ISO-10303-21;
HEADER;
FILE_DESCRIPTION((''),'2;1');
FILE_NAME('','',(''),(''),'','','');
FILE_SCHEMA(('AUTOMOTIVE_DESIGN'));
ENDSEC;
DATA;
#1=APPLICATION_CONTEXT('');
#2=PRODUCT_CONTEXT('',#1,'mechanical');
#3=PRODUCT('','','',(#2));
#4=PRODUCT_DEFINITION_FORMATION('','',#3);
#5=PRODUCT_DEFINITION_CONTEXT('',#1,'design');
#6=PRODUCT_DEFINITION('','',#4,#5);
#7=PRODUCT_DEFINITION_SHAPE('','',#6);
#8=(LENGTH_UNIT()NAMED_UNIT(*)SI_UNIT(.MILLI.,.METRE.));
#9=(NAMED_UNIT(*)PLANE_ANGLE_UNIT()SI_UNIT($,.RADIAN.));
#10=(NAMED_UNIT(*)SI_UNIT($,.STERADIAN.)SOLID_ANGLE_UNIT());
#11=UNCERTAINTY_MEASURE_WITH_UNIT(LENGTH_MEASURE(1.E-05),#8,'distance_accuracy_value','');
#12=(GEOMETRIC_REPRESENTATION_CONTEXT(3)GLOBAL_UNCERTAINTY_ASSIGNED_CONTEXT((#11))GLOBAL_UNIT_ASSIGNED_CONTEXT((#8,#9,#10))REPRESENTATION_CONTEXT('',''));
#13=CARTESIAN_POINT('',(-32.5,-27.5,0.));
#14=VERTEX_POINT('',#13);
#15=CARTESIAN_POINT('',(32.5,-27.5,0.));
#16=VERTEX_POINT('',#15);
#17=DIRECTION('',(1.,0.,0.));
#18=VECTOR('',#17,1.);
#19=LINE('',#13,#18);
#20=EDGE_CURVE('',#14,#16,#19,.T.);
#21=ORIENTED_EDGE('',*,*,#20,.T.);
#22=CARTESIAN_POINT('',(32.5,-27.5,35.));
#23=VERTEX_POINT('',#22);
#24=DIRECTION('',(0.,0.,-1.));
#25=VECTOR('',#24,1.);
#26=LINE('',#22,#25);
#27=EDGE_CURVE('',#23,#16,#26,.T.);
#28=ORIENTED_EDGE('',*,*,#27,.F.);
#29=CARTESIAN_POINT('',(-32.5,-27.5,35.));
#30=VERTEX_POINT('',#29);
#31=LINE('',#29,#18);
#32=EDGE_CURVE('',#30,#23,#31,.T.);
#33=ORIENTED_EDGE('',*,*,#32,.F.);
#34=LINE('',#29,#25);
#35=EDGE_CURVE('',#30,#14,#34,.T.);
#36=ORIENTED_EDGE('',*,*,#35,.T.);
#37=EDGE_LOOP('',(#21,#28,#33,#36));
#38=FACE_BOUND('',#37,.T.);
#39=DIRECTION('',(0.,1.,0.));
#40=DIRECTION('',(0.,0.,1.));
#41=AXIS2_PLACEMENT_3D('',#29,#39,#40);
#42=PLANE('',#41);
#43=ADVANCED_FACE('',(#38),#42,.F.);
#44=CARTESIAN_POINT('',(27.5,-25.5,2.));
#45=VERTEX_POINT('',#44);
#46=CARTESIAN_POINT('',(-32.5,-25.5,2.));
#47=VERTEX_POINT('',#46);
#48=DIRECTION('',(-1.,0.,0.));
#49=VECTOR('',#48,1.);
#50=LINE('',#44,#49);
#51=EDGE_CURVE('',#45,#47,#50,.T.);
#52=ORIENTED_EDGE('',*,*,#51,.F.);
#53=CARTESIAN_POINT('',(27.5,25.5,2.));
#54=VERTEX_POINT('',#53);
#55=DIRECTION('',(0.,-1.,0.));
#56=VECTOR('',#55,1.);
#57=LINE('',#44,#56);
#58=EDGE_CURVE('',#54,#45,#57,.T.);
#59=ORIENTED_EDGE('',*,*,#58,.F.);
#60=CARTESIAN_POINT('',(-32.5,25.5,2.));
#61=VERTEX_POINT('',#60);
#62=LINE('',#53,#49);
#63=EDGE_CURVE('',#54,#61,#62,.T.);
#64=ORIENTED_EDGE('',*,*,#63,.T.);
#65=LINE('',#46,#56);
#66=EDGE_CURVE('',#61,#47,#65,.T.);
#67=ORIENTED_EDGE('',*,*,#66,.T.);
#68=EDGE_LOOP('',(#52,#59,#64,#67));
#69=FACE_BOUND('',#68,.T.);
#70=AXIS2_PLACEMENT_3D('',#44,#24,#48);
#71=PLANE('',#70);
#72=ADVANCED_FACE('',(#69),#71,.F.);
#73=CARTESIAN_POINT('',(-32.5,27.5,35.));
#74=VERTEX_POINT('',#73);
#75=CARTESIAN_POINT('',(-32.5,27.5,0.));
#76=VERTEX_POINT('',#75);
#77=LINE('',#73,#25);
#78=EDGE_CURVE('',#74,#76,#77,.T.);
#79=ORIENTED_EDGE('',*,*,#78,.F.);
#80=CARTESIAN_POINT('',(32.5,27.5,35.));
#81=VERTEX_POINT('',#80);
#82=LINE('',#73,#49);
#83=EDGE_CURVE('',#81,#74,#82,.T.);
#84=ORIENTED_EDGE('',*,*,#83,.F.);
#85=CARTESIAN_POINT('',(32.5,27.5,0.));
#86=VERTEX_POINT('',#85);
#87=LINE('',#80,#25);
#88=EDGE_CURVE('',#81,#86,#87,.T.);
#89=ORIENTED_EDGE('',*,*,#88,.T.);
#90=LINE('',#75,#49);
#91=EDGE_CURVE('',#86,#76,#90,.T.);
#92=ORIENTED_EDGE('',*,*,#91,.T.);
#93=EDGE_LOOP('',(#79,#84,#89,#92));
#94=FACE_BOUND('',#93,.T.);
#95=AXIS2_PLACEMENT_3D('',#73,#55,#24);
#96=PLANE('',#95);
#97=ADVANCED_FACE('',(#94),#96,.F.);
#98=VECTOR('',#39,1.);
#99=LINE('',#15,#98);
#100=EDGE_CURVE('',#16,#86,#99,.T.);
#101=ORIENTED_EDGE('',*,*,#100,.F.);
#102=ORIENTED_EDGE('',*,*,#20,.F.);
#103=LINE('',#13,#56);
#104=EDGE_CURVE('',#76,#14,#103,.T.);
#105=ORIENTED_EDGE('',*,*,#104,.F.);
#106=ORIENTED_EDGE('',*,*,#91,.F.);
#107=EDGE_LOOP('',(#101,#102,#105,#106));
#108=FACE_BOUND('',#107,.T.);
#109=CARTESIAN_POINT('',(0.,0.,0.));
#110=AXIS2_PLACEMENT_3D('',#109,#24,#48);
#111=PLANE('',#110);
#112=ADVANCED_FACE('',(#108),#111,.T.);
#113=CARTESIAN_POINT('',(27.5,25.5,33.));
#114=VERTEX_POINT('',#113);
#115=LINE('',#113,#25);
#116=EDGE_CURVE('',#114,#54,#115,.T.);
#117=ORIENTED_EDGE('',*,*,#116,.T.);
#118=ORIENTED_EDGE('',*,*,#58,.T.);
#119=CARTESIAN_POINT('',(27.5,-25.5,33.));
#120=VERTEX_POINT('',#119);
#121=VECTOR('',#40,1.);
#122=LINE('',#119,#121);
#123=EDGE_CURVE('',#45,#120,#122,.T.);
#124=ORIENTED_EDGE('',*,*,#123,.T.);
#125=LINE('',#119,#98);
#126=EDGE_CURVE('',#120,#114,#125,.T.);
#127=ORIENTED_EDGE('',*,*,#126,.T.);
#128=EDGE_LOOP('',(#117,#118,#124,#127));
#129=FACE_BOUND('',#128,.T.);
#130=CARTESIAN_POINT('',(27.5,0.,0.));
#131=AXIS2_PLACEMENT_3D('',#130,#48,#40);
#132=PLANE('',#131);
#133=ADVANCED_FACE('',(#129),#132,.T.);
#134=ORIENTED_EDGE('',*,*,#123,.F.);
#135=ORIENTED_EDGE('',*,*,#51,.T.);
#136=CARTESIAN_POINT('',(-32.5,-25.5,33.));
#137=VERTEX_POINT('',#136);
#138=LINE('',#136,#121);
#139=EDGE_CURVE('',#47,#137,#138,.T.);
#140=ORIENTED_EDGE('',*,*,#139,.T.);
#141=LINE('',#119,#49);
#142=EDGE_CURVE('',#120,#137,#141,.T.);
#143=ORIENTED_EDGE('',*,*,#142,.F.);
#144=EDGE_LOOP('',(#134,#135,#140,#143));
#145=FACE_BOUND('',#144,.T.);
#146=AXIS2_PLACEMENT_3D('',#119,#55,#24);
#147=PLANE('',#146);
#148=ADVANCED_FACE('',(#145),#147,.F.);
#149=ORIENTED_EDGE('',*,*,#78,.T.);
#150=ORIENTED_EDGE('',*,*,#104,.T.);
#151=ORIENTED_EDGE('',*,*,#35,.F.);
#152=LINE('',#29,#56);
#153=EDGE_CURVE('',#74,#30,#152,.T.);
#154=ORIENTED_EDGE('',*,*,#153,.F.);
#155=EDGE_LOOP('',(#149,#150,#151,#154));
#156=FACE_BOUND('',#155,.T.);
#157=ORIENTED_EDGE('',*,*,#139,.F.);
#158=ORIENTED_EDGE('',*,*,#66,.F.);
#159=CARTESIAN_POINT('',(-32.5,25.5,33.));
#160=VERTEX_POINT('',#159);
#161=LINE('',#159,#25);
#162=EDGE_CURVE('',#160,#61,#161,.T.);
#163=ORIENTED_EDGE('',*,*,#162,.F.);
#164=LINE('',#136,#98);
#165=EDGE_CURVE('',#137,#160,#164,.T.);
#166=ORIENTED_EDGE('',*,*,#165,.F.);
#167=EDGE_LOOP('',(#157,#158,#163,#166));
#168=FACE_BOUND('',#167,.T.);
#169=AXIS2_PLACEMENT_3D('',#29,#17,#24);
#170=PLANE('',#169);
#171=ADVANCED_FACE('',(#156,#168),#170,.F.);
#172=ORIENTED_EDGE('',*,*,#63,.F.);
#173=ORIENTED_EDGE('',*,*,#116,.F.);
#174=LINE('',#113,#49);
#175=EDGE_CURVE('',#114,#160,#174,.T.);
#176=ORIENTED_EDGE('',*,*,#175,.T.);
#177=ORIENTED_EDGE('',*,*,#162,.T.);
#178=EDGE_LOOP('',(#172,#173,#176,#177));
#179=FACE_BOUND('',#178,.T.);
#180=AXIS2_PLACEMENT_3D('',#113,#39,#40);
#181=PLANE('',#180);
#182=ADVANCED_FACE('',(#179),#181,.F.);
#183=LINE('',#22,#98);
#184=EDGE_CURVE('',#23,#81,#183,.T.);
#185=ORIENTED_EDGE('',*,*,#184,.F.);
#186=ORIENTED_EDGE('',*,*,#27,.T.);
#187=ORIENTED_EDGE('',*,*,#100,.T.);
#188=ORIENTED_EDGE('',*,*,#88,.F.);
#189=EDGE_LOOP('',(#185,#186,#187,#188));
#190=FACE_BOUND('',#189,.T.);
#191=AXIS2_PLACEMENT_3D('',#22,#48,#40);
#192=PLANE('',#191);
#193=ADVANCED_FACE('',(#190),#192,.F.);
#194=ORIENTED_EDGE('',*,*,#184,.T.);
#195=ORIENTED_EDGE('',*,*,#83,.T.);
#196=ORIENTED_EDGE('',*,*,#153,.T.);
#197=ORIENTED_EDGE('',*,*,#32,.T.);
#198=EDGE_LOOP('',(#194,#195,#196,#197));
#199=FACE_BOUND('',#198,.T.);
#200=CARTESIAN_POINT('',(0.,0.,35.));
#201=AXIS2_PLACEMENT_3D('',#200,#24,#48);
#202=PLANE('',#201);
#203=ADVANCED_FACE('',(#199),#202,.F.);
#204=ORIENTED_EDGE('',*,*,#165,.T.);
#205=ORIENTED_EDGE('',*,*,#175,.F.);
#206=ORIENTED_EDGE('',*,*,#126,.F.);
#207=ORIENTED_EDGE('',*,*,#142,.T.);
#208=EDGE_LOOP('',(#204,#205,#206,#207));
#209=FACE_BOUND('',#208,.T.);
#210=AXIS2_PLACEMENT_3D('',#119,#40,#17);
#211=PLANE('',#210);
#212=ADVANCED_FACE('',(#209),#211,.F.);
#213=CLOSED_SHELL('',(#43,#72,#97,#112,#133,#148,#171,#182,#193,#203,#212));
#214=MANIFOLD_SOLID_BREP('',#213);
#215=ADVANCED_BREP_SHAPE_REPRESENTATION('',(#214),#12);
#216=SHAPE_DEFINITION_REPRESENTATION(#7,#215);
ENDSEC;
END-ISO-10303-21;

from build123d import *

# Parameters (mm, degrees)
SKETCH1_W           = 65
SKETCH1_H           = 55
BOSS_EXTRUDE1_DEPTH = 35
SKETCH2_W           = 31
SKETCH2_H           = 51
CUT_EXTRUDE1_DEPTH  = 60


with BuildPart() as part:
    # Sketch1 → Boss-Extrude1 (new body)
    with BuildSketch(Plane.XY):
        Rectangle(SKETCH1_W, SKETCH1_H)
    extrude(amount=BOSS_EXTRUDE1_DEPTH)

    # Sketch2 → Cut-Extrude1 (cut)
    with BuildSketch(Plane.ZY.offset(32.5)):
        with Locations((17.5, 0)):
            Rectangle(SKETCH2_W, SKETCH2_H)
    extrude(amount=-CUT_EXTRUDE1_DEPTH, mode=Mode.SUBTRACT)


solid = part.part
